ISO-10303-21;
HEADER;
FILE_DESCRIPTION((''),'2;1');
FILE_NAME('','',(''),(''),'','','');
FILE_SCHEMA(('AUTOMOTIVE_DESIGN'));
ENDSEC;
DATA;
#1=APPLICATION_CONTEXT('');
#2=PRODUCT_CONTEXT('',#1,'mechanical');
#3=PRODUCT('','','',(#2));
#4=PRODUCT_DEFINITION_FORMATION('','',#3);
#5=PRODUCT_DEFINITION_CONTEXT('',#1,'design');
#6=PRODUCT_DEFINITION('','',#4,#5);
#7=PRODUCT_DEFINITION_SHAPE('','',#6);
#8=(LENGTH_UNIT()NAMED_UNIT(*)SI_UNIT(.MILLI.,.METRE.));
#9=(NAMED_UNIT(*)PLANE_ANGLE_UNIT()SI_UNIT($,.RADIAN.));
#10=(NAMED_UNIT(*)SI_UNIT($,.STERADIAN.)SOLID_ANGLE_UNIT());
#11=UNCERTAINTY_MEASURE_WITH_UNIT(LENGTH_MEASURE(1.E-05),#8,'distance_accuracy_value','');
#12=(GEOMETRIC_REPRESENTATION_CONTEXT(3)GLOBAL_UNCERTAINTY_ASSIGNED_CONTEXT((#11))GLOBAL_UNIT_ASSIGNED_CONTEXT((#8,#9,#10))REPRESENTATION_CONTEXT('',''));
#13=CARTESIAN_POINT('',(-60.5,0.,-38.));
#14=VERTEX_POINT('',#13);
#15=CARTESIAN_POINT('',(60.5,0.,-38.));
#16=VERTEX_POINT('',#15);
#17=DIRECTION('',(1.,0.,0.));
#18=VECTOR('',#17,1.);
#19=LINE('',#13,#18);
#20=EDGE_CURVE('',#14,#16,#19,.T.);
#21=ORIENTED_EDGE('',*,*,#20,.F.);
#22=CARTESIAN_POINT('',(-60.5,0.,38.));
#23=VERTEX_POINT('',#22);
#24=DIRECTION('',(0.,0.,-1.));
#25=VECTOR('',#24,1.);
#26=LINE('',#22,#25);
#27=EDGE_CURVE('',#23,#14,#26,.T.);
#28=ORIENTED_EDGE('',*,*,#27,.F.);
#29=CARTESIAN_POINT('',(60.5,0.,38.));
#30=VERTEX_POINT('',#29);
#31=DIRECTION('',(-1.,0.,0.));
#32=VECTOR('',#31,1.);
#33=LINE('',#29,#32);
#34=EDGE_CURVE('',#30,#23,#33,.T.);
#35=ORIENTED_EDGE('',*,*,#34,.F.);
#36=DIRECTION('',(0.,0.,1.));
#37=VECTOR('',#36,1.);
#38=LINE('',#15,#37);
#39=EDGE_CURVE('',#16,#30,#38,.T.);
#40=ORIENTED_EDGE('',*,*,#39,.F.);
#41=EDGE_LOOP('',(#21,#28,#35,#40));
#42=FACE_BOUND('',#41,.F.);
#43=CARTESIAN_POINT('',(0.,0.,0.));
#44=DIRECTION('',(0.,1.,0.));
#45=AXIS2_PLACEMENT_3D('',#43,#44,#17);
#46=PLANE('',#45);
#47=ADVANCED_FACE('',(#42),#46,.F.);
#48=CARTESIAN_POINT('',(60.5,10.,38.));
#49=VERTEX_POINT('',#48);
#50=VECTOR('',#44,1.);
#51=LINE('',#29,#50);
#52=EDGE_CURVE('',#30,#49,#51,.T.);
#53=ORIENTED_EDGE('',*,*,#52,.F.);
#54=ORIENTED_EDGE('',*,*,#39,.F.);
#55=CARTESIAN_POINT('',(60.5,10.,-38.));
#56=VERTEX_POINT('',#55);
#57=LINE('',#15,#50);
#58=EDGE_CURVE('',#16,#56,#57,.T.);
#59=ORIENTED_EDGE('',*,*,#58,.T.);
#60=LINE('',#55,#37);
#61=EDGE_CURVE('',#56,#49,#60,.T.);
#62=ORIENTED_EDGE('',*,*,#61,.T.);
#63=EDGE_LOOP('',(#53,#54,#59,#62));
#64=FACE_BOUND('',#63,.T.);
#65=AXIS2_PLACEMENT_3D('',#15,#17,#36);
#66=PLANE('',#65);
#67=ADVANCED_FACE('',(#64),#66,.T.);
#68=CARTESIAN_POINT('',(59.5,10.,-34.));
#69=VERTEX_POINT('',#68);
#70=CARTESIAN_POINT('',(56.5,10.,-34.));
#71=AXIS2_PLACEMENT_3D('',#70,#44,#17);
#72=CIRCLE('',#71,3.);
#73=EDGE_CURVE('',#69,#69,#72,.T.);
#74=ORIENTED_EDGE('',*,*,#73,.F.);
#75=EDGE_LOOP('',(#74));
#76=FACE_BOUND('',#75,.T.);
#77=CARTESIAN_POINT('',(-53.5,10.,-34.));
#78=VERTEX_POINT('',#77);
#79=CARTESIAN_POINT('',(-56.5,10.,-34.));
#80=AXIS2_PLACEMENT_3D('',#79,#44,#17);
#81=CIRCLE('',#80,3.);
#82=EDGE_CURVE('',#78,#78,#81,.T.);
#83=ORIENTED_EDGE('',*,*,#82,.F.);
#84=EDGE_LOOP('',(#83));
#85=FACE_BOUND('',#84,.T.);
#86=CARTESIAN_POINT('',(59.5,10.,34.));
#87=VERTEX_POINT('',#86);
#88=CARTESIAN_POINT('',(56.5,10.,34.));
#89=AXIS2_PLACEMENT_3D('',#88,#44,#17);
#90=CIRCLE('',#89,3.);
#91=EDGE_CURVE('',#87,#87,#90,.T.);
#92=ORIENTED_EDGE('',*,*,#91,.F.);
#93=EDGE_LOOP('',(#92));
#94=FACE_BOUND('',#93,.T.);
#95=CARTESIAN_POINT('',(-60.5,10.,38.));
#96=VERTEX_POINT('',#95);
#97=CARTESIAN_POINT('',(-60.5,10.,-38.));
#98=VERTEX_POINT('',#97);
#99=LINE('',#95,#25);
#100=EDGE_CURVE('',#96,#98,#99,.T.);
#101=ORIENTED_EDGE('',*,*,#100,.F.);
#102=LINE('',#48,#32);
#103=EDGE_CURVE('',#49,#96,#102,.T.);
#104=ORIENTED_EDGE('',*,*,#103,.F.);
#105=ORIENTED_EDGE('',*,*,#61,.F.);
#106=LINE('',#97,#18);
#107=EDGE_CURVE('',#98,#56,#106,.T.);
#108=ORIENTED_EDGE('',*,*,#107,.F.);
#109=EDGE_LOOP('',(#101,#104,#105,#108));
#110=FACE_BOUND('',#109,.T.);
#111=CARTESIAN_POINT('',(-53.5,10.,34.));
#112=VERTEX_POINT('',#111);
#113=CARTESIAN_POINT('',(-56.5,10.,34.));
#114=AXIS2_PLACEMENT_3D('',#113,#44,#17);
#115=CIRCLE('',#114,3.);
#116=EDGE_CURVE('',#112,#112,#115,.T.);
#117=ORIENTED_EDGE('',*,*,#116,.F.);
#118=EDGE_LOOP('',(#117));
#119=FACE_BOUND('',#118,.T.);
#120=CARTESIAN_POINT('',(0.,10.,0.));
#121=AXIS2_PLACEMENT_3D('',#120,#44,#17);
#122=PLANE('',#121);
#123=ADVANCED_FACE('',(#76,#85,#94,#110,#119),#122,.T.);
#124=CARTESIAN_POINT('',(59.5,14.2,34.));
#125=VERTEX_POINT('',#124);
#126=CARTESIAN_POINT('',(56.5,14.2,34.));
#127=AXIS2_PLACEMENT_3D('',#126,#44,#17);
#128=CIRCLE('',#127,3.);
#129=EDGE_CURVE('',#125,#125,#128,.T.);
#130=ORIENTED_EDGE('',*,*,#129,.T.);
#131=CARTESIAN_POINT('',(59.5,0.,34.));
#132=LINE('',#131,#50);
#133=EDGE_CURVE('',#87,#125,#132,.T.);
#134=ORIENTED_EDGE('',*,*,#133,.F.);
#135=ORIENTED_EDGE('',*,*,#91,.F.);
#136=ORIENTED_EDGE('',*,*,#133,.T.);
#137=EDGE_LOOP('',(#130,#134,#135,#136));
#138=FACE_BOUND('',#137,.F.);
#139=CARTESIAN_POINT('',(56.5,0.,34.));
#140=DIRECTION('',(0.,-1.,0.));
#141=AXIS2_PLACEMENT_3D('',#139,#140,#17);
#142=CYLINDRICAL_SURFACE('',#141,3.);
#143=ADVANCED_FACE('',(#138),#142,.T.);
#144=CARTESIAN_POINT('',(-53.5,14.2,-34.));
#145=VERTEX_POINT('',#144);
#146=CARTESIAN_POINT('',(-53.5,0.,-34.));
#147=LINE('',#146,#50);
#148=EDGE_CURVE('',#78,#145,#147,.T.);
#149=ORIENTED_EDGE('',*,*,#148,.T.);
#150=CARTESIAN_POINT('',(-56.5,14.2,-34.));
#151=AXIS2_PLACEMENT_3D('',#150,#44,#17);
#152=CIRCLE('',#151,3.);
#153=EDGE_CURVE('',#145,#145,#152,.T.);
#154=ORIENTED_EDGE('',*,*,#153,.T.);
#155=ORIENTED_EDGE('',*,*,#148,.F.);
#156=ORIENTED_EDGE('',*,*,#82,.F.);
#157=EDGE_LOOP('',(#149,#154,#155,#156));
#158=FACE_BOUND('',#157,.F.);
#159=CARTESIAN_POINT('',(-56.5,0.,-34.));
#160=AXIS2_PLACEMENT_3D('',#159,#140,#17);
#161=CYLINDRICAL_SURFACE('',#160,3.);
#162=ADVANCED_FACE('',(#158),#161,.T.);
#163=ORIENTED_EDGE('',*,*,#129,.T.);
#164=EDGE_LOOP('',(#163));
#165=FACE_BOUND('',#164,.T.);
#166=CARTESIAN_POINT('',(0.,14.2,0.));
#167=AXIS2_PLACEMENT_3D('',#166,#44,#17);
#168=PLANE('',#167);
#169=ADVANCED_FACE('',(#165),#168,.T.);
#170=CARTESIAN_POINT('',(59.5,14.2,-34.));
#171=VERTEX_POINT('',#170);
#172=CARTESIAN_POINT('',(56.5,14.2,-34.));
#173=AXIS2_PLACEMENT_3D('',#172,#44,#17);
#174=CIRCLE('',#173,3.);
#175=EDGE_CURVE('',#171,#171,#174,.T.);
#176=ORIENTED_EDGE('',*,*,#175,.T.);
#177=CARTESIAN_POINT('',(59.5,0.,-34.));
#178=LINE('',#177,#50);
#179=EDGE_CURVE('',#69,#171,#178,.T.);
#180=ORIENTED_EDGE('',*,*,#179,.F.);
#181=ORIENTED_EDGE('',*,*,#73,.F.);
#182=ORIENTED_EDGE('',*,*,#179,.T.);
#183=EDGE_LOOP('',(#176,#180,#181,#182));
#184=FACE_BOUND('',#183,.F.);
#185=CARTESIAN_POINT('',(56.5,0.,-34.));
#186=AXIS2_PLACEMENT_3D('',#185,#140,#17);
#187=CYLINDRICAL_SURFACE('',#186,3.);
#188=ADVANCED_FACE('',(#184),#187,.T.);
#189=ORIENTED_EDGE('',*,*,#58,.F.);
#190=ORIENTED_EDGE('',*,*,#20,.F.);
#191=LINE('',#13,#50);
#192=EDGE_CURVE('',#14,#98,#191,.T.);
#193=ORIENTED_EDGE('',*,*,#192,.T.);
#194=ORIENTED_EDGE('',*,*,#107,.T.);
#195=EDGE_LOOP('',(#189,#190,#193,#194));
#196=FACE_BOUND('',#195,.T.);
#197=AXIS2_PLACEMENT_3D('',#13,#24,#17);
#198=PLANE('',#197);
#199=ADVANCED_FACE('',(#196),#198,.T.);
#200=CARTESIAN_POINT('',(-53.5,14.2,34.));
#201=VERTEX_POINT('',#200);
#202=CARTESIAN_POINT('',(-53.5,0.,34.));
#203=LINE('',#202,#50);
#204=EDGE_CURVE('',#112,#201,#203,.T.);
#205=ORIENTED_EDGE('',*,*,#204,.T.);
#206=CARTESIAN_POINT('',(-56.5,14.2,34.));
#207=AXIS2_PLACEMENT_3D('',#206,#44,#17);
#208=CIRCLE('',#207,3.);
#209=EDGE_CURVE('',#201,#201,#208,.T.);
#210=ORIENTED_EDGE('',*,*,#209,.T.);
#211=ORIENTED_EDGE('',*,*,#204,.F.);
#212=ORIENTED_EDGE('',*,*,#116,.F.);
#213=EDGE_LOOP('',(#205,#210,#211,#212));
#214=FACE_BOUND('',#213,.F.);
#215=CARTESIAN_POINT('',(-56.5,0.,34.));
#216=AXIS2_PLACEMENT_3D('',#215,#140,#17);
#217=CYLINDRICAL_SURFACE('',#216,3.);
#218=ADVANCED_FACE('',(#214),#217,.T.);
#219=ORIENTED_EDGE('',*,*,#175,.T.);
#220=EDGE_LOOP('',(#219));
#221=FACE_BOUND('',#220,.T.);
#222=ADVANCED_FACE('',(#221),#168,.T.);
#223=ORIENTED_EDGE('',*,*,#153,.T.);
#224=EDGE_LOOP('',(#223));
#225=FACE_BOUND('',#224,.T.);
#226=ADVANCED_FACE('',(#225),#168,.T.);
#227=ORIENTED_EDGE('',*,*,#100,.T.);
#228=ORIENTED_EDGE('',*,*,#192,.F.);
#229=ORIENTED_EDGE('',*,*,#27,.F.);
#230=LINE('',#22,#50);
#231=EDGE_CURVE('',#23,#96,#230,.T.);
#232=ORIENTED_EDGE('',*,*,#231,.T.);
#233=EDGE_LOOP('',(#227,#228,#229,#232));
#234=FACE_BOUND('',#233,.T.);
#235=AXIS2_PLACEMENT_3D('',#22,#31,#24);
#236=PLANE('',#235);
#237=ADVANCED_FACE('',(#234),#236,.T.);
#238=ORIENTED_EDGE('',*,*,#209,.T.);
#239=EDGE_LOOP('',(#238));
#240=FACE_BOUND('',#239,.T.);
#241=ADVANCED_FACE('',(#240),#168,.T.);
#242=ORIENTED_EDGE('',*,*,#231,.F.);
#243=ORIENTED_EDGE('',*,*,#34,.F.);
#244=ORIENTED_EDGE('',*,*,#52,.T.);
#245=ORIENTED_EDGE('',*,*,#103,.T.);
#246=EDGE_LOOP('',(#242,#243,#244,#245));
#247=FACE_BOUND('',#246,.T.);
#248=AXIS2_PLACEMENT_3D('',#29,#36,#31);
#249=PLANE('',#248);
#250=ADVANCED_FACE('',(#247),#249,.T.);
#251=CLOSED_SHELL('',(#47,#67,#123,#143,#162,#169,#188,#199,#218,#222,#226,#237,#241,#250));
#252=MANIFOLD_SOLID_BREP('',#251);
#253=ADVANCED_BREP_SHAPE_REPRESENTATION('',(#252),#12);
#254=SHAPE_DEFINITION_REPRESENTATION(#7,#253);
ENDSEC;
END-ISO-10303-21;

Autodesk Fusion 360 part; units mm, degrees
sketch "Sketch1" plane through (0, 0, 0) normal (0, 1, 0) x (1, 0, 0)
  line L0 (60.5, -38) -> (-60.5, -38)
  line L1 (-60.5, -38) -> (-60.5, 38)
  line L2 (-60.5, 38) -> (60.5, 38)
  line L3 (60.5, 38) -> (60.5, -38)
  line L4 (60.5, -38) -> (-60.5, 38) construction
  line L5 (-60.5, -38) -> (60.5, 38) construction
  line L6 (56.5, -34) -> (-56.5, -34) construction
  line L7 (-56.5, -34) -> (-56.5, 34) construction
  line L8 (-56.5, 34) -> (56.5, 34) construction
  line L9 (56.5, 34) -> (56.5, -34) construction
  line L10 (56.5, -34) -> (-56.5, 34) construction
  line L11 (-56.5, -34) -> (56.5, 34) construction
  circle A0 centre (56.5, 34) radius 3
  circle A1 centre (56.5, -34) radius 3
  circle A2 centre (-56.5, -34) radius 3
  circle A3 centre (-56.5, 34) radius 3
  dimension "d1" = 121
  dimension "d2" = 76
  dimension "d3" = 113
  dimension "d4" = 68
  dimension "d5" = 6
  dimension "d6" = 6
  dimension "d7" = 6
  dimension "d8" = 6
extrude "Extrude1" add sketch "Sketch1" along normal blind 10
extrude "Extrude2" add sketch "Sketch1" along normal blind 14.2 contours A0 | A1 | A2 | A3
equation "d11 = 10 mm + 4.2 mm"
